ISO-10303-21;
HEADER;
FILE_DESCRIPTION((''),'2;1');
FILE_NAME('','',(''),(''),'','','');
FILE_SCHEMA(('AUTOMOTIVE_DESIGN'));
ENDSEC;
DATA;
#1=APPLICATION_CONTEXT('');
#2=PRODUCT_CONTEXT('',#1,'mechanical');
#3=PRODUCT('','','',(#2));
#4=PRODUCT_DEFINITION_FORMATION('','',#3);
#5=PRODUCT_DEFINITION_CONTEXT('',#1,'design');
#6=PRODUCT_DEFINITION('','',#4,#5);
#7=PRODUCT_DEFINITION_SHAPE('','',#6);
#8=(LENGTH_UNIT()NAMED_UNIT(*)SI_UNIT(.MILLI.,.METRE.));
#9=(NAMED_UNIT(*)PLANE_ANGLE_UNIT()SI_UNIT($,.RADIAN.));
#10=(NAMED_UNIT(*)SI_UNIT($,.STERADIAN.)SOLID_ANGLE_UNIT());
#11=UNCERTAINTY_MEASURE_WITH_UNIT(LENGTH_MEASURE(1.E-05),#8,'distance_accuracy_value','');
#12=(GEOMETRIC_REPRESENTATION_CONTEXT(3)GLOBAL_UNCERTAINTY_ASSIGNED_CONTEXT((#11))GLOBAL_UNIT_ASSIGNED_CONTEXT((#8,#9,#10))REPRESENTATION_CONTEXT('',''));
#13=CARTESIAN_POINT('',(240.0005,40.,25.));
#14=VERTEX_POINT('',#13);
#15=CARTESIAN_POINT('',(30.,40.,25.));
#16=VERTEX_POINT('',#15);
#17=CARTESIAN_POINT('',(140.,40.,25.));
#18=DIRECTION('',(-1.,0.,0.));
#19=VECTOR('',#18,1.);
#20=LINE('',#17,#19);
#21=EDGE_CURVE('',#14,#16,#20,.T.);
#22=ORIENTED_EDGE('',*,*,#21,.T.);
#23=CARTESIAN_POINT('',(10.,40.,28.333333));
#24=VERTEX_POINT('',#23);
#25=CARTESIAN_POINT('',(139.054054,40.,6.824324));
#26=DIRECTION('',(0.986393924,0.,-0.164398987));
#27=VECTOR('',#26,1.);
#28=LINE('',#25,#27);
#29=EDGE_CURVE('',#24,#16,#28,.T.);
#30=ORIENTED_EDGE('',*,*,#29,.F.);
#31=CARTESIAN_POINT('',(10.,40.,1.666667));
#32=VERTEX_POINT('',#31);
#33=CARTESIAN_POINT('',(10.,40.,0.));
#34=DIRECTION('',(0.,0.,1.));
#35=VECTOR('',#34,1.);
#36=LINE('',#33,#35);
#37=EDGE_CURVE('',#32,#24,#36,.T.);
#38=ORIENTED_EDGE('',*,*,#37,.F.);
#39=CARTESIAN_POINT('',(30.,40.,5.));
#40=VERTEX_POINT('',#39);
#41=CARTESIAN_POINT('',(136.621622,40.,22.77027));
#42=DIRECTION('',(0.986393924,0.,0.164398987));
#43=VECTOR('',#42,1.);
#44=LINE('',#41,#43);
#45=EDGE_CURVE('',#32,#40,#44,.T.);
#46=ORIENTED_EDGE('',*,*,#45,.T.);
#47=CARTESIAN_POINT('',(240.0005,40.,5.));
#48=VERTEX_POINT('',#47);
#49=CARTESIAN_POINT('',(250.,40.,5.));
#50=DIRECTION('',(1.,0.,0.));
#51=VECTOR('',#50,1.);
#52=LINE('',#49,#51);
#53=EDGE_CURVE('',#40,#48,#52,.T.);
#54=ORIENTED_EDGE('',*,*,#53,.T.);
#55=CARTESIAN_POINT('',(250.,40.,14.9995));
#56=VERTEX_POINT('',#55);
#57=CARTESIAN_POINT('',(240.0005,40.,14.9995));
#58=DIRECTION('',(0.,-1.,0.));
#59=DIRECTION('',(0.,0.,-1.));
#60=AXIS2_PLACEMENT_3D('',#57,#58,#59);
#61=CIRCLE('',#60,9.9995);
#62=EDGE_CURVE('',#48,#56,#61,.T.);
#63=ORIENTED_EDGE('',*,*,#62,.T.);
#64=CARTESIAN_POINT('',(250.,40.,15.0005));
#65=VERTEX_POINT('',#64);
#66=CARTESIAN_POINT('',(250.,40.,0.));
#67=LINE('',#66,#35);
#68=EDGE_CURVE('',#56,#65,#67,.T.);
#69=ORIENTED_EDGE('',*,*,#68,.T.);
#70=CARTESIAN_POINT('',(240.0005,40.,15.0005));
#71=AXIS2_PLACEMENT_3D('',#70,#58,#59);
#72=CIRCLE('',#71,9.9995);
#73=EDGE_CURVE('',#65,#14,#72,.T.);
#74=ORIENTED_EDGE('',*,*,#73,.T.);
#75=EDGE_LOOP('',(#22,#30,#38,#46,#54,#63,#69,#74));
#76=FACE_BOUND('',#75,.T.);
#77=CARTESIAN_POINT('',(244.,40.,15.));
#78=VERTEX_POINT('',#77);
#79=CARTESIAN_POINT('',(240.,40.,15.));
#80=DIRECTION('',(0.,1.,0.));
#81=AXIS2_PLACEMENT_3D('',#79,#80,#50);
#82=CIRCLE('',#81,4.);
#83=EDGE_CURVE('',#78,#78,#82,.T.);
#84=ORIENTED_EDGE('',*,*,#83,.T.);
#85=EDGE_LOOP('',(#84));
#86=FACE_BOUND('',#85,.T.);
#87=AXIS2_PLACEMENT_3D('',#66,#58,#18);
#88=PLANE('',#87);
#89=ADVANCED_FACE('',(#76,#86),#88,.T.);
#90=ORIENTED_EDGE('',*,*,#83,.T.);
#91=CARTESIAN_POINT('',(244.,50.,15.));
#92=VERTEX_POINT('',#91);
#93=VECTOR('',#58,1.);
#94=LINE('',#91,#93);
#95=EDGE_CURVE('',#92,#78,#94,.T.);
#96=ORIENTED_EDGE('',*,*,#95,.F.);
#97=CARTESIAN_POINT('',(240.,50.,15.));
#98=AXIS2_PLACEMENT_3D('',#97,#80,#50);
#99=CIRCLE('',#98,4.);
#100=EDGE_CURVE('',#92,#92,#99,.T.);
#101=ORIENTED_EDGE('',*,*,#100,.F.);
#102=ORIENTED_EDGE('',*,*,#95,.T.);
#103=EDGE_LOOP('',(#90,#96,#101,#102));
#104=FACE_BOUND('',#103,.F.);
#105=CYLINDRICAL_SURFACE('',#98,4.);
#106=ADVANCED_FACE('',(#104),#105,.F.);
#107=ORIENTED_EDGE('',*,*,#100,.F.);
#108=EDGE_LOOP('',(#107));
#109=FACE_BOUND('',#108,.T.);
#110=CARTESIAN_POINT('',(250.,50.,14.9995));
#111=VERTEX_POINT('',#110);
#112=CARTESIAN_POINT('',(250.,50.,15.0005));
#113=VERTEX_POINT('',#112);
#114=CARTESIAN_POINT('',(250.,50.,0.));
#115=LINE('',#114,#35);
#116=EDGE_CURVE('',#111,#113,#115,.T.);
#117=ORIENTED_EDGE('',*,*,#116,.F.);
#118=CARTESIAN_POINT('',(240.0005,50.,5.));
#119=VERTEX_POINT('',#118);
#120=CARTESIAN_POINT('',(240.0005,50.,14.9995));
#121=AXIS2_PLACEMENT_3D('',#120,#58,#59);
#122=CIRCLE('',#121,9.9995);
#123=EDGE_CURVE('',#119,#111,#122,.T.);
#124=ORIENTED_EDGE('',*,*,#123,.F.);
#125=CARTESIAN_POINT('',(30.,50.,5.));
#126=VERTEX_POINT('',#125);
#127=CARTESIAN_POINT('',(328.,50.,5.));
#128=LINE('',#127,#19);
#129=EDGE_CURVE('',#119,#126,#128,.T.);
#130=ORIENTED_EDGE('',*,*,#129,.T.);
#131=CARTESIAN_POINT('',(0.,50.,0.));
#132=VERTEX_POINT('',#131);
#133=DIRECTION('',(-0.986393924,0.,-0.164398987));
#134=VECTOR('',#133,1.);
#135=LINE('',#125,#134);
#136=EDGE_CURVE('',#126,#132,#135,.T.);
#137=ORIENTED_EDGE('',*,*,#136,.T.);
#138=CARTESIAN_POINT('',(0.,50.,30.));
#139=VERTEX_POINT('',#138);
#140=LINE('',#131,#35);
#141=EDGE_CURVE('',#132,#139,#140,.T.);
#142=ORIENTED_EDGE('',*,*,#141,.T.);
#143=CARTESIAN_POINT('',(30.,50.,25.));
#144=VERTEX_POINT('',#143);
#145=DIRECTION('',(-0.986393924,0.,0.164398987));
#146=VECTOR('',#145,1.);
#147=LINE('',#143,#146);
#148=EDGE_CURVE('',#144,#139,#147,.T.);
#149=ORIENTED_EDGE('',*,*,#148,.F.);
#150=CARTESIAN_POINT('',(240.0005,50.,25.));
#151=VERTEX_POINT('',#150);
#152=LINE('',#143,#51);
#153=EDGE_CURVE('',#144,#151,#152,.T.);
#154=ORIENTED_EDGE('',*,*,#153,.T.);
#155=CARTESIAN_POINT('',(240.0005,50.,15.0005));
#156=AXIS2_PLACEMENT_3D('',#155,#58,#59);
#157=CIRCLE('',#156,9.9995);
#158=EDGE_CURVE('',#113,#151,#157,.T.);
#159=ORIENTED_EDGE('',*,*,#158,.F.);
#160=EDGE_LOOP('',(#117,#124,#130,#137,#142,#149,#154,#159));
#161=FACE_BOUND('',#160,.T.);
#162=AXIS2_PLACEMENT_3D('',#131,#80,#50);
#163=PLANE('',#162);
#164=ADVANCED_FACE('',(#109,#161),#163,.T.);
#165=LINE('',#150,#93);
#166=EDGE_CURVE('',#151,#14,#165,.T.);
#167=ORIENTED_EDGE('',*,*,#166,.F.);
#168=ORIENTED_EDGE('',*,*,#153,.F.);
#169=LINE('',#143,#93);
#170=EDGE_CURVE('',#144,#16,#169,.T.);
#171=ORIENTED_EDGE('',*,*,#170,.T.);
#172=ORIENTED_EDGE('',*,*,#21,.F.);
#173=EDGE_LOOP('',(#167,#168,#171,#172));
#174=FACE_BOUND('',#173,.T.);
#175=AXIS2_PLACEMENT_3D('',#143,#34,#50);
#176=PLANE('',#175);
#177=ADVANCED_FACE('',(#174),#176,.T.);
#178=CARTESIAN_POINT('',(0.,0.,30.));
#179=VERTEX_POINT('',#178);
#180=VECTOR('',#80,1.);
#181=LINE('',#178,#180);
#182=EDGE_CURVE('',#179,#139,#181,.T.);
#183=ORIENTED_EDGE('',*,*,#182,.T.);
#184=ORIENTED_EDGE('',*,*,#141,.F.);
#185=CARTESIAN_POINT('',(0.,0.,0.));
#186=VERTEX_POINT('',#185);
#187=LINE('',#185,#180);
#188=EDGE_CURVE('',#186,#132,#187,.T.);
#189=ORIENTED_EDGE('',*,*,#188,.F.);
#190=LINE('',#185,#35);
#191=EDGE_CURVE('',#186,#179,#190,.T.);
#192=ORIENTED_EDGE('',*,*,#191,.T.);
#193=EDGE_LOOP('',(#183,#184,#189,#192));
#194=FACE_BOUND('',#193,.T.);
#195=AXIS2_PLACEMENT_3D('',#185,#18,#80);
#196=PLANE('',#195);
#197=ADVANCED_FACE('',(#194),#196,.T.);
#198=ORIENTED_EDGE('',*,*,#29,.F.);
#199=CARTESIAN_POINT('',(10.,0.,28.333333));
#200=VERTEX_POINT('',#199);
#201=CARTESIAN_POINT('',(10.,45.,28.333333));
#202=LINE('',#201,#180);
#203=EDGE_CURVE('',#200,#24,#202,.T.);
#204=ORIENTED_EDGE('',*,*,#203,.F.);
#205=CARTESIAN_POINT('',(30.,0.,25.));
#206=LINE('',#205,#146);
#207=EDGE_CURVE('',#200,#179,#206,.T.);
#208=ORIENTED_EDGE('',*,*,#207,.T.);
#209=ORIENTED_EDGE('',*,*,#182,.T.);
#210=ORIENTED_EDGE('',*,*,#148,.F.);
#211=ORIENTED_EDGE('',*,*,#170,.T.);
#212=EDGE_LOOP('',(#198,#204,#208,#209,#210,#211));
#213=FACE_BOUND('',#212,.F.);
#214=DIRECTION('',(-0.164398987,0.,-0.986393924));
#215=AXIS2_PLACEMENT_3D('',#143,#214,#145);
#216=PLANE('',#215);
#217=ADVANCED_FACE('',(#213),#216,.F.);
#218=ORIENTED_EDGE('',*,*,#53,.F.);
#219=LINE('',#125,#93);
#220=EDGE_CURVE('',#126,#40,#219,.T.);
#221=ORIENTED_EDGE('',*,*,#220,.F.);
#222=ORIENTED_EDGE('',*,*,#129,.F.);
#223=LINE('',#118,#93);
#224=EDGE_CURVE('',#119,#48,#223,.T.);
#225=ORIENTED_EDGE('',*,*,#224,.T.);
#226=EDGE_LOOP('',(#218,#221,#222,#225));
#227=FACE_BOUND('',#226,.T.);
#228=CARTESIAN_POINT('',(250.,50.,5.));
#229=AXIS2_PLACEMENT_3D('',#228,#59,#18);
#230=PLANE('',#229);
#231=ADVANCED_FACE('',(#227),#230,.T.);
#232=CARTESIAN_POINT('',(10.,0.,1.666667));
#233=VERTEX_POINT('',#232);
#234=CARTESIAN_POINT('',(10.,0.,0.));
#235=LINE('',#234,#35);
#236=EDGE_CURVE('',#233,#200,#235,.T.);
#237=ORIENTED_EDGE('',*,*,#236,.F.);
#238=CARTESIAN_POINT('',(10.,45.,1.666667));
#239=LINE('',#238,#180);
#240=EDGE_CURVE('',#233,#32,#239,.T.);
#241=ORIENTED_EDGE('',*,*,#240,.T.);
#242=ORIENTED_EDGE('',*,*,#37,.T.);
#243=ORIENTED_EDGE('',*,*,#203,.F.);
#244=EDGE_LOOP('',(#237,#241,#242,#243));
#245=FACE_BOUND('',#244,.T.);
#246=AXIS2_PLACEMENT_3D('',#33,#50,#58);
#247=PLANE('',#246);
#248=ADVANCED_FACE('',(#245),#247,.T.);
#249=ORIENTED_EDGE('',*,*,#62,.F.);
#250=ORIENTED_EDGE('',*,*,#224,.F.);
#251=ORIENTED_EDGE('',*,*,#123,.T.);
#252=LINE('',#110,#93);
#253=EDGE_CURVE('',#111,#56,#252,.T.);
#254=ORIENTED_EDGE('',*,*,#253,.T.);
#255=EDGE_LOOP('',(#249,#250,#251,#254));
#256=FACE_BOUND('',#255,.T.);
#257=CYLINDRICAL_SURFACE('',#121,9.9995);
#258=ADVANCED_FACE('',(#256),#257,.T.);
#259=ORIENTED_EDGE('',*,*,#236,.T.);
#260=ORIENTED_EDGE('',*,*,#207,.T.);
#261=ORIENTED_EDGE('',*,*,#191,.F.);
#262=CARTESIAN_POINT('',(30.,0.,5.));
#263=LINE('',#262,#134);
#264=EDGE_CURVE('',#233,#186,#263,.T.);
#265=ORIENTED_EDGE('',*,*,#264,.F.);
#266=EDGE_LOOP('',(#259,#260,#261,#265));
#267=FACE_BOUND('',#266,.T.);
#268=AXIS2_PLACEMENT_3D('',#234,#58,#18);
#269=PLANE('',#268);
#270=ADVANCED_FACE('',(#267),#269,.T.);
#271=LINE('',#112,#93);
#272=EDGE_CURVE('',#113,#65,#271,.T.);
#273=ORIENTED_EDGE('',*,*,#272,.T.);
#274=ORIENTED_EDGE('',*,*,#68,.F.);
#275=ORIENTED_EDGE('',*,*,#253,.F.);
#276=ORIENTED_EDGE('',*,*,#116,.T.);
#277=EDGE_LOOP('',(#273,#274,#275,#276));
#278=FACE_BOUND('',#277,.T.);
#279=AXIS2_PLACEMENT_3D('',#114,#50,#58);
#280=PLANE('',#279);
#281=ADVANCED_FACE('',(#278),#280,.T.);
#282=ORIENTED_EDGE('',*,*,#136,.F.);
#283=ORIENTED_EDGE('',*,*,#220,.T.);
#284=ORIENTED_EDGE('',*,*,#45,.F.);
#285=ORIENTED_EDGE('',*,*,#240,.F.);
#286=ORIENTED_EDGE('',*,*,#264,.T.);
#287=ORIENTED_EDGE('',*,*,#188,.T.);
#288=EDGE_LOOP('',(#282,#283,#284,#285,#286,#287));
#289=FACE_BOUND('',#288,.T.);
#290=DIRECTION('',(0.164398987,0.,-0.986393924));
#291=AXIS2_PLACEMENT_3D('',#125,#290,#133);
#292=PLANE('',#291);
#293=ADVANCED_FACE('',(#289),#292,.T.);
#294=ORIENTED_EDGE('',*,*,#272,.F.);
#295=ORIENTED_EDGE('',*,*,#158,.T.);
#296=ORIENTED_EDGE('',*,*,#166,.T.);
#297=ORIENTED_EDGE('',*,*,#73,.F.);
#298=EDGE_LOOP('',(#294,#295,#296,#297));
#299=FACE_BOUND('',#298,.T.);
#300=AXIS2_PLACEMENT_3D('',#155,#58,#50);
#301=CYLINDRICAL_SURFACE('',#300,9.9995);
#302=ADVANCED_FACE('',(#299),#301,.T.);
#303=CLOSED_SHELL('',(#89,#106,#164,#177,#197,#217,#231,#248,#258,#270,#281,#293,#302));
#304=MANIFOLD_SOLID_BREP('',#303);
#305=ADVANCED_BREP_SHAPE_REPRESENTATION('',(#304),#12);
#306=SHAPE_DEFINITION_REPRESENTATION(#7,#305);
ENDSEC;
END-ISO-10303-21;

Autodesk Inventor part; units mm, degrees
ref_plane "YZ Plane" through (0, 0, 0) normal (1, 0, 0) x (0, 1, 0)
ref_plane "XZ Plane" through (0, 0, 0) normal (0, 1, 0) x (-1, 0, 0)
ref_plane "XY Plane" through (0, 0, 0) normal (0, 0, 1) x (1, 0, 0)
sketch "Schizzo1" plane through (0, 0, 0) normal (0, 0, 1) x (1, 0, 0)
  line L0 (0, 0) -> (0, 50)
  line L1 (0, 50) -> (250, 50)
  line L2 (250, 50) -> (250, 40)
  line L3 (250, 40) -> (10, 40)
  line L4 (10, 40) -> (10, 0)
  line L5 (10, 0) -> (0, 0)
  dimension "d0" = 10
  dimension "d1" = 10
  dimension "d2" = 50
  dimension "d3" = 250
extrude "Estrusione1" add sketch "Schizzo1" along normal blind 30
sketch "Schizzo2" plane through (0, 50, 0) normal (0, 1, 0) x (1, 0, 0)
  circle A0 centre (240, -15) radius 4
  line L0 (250, -30) -> (0, -30) projected
  line L1 (250, 0) -> (250, -30) projected
  line L2 (30, 51) -> (328, 51)
  line L3 (328, 51) -> (328, -5)
  line L4 (328, -5) -> (30, -5)
  line L5 (30, 0) -> (30, 51)
  line L6 (336, -124) -> (30, -124)
  line L7 (30, -124) -> (30, -30)
  line L8 (30, -25) -> (336, -25)
  line L9 (336, -25) -> (336, -124)
  line L10 (250, 0) -> (0, 0) projected
  line L11 (0, 0) -> (0, -30) projected
  line L12 (30, -5) -> (0, 0)
  line L13 (30, -25) -> (0, -30)
  line L14 (0, 0) -> (328, 124)
  line L15 (328, 124) -> (336, -220)
  line L16 (336, -220) -> (0, -30)
  point P0 (250, -5)
  point P1 (250, -25)
  dimension "d6" = 8
  dimension "d7" = 15
  dimension "d8" = 10
  dimension "d9" = 5
  dimension "d10" = 5
  dimension "d11" = 30
extrude "Estrusione2" cut sketch "Schizzo2" against normal blind 50 contours A0 | L0 L13 L8 L1 | L4 L12 L10 L1
fillet "Raccordo1" radius 10 2 edges at (250, 45, 5) (250, 45, 25)
properties part number "porta penna"
